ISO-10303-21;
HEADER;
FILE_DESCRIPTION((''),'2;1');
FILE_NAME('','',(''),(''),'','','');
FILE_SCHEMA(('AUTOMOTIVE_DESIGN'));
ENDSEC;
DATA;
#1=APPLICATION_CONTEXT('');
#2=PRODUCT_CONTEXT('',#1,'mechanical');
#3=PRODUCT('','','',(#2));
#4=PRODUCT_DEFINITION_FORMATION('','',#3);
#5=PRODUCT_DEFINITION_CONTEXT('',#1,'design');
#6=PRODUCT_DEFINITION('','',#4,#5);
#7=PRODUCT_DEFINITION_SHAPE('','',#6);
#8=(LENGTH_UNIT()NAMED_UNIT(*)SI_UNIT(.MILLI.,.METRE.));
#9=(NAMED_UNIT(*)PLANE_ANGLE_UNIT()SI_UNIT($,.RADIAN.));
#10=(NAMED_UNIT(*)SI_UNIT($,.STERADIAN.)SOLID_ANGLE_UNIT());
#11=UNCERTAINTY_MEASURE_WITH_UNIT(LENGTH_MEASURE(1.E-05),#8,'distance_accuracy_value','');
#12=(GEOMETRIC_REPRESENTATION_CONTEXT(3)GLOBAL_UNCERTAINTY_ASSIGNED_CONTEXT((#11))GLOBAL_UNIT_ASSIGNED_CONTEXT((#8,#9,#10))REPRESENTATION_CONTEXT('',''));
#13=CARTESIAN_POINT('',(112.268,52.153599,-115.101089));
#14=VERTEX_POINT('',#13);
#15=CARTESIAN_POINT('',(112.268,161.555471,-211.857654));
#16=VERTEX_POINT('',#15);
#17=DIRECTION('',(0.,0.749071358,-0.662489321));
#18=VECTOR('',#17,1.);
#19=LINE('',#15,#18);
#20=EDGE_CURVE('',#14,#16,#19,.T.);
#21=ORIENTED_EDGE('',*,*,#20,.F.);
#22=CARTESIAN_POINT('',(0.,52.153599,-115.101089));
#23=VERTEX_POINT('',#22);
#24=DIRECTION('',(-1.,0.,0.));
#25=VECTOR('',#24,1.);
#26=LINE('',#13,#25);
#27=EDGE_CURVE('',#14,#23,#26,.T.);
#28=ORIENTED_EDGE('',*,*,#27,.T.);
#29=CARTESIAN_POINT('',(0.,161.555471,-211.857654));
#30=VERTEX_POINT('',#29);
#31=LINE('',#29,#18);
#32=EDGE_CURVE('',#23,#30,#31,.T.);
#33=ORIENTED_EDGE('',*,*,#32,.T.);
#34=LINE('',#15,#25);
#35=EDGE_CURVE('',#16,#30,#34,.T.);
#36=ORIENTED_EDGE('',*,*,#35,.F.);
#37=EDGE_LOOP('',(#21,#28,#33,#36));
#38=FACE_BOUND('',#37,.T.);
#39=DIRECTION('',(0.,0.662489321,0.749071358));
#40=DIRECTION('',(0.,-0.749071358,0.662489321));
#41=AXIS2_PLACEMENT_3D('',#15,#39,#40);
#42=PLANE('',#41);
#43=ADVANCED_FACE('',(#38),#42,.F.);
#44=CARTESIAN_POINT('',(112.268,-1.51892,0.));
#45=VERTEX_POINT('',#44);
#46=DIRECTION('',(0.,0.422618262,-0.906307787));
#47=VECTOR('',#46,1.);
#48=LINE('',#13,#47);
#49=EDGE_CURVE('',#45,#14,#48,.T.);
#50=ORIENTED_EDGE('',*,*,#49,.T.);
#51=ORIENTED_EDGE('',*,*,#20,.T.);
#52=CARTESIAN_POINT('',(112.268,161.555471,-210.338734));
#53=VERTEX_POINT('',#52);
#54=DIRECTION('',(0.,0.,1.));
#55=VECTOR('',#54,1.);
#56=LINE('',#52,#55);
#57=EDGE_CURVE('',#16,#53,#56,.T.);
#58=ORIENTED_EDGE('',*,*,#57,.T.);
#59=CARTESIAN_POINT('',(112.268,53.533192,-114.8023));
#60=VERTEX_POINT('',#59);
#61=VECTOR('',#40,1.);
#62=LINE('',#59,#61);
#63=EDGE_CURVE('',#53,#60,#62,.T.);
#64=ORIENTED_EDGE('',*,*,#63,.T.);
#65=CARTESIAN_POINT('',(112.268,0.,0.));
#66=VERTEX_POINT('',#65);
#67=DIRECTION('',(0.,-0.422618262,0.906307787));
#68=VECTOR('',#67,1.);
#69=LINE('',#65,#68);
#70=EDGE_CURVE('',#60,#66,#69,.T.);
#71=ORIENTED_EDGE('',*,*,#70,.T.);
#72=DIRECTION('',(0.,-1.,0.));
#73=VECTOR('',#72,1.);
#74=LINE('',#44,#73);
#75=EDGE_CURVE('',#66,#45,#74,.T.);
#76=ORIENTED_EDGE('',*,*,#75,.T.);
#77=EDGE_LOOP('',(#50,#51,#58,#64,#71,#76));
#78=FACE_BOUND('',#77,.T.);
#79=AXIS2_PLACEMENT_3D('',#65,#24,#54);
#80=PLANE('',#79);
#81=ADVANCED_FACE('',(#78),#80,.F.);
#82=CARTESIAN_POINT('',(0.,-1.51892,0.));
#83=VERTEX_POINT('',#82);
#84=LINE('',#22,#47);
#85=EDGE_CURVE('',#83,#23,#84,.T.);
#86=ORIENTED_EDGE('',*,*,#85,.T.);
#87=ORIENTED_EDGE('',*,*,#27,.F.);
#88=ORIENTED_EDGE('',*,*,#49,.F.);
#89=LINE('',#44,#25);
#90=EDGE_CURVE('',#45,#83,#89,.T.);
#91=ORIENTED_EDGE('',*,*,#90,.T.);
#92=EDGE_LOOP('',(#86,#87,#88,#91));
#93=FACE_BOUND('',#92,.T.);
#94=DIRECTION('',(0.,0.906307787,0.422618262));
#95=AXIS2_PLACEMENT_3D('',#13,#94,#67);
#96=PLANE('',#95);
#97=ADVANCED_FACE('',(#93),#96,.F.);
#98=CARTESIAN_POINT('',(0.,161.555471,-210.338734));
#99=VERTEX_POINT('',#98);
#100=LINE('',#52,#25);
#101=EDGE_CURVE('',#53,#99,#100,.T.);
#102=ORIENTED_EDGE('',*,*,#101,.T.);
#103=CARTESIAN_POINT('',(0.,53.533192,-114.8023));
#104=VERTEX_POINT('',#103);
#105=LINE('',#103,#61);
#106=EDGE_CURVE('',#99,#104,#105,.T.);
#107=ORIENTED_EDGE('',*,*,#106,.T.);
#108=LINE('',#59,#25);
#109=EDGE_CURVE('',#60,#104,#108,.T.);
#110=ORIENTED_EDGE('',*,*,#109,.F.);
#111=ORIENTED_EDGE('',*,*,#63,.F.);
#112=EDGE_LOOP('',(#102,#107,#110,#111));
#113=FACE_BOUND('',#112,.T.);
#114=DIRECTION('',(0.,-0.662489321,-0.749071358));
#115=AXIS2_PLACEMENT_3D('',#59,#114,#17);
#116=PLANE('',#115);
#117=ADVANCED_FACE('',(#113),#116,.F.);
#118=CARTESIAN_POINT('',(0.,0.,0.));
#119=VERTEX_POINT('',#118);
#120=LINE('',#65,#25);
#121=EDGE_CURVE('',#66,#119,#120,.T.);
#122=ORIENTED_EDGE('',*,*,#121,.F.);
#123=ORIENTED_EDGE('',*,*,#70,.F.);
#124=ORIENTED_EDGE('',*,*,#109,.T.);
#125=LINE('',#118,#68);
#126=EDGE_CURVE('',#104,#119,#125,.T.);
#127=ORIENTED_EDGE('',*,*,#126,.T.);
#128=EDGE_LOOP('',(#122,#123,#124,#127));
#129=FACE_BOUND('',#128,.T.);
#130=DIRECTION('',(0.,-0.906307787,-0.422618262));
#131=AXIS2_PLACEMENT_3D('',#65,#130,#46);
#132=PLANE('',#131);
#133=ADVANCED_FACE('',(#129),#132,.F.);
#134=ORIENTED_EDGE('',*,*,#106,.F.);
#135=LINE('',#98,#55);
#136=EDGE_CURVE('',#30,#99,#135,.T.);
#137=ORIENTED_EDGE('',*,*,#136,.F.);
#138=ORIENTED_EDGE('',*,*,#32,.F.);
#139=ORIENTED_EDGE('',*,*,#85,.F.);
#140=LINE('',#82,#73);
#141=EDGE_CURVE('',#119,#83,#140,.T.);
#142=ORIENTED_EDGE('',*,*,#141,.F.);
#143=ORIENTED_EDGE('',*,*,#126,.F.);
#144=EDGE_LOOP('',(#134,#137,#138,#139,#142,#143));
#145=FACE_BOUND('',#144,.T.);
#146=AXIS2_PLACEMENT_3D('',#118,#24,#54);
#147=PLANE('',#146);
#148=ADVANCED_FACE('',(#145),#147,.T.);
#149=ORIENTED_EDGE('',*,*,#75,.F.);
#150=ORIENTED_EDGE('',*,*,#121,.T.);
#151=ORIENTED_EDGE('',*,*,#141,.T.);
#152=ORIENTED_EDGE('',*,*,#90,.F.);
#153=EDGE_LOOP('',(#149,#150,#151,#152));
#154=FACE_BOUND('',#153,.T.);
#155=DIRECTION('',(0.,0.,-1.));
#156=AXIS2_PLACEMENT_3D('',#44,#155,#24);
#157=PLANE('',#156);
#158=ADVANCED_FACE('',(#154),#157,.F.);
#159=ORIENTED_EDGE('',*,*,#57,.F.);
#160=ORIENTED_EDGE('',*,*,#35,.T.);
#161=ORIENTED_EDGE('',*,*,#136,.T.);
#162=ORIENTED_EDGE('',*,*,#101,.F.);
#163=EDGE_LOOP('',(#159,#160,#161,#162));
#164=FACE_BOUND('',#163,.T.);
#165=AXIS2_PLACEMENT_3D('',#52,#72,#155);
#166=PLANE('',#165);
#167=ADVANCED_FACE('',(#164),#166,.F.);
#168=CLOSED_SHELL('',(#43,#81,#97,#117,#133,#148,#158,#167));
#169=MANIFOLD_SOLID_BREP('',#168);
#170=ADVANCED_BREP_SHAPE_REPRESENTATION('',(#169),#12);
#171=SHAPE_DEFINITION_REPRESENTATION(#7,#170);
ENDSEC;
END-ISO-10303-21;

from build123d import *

# Parameters (mm, degrees)
BOSS_EXTRUDE1_DEPTH = 112.268


with BuildPart() as part:
    # Sketch1 → Boss-Extrude1 (new body)
    with BuildSketch(Plane(origin=(0, 0, 0), x_dir=(0, 0, -1), z_dir=(1, 0, 0))):
        Polygon((0, 0), (114.802300061, 53.533191692), (210.338734241, 161.555471135), (211.857654241, 161.555471135), (115.101088954, 52.153599241), (0, -1.51892), align=None)
    extrude(amount=BOSS_EXTRUDE1_DEPTH)


solid = part.part
